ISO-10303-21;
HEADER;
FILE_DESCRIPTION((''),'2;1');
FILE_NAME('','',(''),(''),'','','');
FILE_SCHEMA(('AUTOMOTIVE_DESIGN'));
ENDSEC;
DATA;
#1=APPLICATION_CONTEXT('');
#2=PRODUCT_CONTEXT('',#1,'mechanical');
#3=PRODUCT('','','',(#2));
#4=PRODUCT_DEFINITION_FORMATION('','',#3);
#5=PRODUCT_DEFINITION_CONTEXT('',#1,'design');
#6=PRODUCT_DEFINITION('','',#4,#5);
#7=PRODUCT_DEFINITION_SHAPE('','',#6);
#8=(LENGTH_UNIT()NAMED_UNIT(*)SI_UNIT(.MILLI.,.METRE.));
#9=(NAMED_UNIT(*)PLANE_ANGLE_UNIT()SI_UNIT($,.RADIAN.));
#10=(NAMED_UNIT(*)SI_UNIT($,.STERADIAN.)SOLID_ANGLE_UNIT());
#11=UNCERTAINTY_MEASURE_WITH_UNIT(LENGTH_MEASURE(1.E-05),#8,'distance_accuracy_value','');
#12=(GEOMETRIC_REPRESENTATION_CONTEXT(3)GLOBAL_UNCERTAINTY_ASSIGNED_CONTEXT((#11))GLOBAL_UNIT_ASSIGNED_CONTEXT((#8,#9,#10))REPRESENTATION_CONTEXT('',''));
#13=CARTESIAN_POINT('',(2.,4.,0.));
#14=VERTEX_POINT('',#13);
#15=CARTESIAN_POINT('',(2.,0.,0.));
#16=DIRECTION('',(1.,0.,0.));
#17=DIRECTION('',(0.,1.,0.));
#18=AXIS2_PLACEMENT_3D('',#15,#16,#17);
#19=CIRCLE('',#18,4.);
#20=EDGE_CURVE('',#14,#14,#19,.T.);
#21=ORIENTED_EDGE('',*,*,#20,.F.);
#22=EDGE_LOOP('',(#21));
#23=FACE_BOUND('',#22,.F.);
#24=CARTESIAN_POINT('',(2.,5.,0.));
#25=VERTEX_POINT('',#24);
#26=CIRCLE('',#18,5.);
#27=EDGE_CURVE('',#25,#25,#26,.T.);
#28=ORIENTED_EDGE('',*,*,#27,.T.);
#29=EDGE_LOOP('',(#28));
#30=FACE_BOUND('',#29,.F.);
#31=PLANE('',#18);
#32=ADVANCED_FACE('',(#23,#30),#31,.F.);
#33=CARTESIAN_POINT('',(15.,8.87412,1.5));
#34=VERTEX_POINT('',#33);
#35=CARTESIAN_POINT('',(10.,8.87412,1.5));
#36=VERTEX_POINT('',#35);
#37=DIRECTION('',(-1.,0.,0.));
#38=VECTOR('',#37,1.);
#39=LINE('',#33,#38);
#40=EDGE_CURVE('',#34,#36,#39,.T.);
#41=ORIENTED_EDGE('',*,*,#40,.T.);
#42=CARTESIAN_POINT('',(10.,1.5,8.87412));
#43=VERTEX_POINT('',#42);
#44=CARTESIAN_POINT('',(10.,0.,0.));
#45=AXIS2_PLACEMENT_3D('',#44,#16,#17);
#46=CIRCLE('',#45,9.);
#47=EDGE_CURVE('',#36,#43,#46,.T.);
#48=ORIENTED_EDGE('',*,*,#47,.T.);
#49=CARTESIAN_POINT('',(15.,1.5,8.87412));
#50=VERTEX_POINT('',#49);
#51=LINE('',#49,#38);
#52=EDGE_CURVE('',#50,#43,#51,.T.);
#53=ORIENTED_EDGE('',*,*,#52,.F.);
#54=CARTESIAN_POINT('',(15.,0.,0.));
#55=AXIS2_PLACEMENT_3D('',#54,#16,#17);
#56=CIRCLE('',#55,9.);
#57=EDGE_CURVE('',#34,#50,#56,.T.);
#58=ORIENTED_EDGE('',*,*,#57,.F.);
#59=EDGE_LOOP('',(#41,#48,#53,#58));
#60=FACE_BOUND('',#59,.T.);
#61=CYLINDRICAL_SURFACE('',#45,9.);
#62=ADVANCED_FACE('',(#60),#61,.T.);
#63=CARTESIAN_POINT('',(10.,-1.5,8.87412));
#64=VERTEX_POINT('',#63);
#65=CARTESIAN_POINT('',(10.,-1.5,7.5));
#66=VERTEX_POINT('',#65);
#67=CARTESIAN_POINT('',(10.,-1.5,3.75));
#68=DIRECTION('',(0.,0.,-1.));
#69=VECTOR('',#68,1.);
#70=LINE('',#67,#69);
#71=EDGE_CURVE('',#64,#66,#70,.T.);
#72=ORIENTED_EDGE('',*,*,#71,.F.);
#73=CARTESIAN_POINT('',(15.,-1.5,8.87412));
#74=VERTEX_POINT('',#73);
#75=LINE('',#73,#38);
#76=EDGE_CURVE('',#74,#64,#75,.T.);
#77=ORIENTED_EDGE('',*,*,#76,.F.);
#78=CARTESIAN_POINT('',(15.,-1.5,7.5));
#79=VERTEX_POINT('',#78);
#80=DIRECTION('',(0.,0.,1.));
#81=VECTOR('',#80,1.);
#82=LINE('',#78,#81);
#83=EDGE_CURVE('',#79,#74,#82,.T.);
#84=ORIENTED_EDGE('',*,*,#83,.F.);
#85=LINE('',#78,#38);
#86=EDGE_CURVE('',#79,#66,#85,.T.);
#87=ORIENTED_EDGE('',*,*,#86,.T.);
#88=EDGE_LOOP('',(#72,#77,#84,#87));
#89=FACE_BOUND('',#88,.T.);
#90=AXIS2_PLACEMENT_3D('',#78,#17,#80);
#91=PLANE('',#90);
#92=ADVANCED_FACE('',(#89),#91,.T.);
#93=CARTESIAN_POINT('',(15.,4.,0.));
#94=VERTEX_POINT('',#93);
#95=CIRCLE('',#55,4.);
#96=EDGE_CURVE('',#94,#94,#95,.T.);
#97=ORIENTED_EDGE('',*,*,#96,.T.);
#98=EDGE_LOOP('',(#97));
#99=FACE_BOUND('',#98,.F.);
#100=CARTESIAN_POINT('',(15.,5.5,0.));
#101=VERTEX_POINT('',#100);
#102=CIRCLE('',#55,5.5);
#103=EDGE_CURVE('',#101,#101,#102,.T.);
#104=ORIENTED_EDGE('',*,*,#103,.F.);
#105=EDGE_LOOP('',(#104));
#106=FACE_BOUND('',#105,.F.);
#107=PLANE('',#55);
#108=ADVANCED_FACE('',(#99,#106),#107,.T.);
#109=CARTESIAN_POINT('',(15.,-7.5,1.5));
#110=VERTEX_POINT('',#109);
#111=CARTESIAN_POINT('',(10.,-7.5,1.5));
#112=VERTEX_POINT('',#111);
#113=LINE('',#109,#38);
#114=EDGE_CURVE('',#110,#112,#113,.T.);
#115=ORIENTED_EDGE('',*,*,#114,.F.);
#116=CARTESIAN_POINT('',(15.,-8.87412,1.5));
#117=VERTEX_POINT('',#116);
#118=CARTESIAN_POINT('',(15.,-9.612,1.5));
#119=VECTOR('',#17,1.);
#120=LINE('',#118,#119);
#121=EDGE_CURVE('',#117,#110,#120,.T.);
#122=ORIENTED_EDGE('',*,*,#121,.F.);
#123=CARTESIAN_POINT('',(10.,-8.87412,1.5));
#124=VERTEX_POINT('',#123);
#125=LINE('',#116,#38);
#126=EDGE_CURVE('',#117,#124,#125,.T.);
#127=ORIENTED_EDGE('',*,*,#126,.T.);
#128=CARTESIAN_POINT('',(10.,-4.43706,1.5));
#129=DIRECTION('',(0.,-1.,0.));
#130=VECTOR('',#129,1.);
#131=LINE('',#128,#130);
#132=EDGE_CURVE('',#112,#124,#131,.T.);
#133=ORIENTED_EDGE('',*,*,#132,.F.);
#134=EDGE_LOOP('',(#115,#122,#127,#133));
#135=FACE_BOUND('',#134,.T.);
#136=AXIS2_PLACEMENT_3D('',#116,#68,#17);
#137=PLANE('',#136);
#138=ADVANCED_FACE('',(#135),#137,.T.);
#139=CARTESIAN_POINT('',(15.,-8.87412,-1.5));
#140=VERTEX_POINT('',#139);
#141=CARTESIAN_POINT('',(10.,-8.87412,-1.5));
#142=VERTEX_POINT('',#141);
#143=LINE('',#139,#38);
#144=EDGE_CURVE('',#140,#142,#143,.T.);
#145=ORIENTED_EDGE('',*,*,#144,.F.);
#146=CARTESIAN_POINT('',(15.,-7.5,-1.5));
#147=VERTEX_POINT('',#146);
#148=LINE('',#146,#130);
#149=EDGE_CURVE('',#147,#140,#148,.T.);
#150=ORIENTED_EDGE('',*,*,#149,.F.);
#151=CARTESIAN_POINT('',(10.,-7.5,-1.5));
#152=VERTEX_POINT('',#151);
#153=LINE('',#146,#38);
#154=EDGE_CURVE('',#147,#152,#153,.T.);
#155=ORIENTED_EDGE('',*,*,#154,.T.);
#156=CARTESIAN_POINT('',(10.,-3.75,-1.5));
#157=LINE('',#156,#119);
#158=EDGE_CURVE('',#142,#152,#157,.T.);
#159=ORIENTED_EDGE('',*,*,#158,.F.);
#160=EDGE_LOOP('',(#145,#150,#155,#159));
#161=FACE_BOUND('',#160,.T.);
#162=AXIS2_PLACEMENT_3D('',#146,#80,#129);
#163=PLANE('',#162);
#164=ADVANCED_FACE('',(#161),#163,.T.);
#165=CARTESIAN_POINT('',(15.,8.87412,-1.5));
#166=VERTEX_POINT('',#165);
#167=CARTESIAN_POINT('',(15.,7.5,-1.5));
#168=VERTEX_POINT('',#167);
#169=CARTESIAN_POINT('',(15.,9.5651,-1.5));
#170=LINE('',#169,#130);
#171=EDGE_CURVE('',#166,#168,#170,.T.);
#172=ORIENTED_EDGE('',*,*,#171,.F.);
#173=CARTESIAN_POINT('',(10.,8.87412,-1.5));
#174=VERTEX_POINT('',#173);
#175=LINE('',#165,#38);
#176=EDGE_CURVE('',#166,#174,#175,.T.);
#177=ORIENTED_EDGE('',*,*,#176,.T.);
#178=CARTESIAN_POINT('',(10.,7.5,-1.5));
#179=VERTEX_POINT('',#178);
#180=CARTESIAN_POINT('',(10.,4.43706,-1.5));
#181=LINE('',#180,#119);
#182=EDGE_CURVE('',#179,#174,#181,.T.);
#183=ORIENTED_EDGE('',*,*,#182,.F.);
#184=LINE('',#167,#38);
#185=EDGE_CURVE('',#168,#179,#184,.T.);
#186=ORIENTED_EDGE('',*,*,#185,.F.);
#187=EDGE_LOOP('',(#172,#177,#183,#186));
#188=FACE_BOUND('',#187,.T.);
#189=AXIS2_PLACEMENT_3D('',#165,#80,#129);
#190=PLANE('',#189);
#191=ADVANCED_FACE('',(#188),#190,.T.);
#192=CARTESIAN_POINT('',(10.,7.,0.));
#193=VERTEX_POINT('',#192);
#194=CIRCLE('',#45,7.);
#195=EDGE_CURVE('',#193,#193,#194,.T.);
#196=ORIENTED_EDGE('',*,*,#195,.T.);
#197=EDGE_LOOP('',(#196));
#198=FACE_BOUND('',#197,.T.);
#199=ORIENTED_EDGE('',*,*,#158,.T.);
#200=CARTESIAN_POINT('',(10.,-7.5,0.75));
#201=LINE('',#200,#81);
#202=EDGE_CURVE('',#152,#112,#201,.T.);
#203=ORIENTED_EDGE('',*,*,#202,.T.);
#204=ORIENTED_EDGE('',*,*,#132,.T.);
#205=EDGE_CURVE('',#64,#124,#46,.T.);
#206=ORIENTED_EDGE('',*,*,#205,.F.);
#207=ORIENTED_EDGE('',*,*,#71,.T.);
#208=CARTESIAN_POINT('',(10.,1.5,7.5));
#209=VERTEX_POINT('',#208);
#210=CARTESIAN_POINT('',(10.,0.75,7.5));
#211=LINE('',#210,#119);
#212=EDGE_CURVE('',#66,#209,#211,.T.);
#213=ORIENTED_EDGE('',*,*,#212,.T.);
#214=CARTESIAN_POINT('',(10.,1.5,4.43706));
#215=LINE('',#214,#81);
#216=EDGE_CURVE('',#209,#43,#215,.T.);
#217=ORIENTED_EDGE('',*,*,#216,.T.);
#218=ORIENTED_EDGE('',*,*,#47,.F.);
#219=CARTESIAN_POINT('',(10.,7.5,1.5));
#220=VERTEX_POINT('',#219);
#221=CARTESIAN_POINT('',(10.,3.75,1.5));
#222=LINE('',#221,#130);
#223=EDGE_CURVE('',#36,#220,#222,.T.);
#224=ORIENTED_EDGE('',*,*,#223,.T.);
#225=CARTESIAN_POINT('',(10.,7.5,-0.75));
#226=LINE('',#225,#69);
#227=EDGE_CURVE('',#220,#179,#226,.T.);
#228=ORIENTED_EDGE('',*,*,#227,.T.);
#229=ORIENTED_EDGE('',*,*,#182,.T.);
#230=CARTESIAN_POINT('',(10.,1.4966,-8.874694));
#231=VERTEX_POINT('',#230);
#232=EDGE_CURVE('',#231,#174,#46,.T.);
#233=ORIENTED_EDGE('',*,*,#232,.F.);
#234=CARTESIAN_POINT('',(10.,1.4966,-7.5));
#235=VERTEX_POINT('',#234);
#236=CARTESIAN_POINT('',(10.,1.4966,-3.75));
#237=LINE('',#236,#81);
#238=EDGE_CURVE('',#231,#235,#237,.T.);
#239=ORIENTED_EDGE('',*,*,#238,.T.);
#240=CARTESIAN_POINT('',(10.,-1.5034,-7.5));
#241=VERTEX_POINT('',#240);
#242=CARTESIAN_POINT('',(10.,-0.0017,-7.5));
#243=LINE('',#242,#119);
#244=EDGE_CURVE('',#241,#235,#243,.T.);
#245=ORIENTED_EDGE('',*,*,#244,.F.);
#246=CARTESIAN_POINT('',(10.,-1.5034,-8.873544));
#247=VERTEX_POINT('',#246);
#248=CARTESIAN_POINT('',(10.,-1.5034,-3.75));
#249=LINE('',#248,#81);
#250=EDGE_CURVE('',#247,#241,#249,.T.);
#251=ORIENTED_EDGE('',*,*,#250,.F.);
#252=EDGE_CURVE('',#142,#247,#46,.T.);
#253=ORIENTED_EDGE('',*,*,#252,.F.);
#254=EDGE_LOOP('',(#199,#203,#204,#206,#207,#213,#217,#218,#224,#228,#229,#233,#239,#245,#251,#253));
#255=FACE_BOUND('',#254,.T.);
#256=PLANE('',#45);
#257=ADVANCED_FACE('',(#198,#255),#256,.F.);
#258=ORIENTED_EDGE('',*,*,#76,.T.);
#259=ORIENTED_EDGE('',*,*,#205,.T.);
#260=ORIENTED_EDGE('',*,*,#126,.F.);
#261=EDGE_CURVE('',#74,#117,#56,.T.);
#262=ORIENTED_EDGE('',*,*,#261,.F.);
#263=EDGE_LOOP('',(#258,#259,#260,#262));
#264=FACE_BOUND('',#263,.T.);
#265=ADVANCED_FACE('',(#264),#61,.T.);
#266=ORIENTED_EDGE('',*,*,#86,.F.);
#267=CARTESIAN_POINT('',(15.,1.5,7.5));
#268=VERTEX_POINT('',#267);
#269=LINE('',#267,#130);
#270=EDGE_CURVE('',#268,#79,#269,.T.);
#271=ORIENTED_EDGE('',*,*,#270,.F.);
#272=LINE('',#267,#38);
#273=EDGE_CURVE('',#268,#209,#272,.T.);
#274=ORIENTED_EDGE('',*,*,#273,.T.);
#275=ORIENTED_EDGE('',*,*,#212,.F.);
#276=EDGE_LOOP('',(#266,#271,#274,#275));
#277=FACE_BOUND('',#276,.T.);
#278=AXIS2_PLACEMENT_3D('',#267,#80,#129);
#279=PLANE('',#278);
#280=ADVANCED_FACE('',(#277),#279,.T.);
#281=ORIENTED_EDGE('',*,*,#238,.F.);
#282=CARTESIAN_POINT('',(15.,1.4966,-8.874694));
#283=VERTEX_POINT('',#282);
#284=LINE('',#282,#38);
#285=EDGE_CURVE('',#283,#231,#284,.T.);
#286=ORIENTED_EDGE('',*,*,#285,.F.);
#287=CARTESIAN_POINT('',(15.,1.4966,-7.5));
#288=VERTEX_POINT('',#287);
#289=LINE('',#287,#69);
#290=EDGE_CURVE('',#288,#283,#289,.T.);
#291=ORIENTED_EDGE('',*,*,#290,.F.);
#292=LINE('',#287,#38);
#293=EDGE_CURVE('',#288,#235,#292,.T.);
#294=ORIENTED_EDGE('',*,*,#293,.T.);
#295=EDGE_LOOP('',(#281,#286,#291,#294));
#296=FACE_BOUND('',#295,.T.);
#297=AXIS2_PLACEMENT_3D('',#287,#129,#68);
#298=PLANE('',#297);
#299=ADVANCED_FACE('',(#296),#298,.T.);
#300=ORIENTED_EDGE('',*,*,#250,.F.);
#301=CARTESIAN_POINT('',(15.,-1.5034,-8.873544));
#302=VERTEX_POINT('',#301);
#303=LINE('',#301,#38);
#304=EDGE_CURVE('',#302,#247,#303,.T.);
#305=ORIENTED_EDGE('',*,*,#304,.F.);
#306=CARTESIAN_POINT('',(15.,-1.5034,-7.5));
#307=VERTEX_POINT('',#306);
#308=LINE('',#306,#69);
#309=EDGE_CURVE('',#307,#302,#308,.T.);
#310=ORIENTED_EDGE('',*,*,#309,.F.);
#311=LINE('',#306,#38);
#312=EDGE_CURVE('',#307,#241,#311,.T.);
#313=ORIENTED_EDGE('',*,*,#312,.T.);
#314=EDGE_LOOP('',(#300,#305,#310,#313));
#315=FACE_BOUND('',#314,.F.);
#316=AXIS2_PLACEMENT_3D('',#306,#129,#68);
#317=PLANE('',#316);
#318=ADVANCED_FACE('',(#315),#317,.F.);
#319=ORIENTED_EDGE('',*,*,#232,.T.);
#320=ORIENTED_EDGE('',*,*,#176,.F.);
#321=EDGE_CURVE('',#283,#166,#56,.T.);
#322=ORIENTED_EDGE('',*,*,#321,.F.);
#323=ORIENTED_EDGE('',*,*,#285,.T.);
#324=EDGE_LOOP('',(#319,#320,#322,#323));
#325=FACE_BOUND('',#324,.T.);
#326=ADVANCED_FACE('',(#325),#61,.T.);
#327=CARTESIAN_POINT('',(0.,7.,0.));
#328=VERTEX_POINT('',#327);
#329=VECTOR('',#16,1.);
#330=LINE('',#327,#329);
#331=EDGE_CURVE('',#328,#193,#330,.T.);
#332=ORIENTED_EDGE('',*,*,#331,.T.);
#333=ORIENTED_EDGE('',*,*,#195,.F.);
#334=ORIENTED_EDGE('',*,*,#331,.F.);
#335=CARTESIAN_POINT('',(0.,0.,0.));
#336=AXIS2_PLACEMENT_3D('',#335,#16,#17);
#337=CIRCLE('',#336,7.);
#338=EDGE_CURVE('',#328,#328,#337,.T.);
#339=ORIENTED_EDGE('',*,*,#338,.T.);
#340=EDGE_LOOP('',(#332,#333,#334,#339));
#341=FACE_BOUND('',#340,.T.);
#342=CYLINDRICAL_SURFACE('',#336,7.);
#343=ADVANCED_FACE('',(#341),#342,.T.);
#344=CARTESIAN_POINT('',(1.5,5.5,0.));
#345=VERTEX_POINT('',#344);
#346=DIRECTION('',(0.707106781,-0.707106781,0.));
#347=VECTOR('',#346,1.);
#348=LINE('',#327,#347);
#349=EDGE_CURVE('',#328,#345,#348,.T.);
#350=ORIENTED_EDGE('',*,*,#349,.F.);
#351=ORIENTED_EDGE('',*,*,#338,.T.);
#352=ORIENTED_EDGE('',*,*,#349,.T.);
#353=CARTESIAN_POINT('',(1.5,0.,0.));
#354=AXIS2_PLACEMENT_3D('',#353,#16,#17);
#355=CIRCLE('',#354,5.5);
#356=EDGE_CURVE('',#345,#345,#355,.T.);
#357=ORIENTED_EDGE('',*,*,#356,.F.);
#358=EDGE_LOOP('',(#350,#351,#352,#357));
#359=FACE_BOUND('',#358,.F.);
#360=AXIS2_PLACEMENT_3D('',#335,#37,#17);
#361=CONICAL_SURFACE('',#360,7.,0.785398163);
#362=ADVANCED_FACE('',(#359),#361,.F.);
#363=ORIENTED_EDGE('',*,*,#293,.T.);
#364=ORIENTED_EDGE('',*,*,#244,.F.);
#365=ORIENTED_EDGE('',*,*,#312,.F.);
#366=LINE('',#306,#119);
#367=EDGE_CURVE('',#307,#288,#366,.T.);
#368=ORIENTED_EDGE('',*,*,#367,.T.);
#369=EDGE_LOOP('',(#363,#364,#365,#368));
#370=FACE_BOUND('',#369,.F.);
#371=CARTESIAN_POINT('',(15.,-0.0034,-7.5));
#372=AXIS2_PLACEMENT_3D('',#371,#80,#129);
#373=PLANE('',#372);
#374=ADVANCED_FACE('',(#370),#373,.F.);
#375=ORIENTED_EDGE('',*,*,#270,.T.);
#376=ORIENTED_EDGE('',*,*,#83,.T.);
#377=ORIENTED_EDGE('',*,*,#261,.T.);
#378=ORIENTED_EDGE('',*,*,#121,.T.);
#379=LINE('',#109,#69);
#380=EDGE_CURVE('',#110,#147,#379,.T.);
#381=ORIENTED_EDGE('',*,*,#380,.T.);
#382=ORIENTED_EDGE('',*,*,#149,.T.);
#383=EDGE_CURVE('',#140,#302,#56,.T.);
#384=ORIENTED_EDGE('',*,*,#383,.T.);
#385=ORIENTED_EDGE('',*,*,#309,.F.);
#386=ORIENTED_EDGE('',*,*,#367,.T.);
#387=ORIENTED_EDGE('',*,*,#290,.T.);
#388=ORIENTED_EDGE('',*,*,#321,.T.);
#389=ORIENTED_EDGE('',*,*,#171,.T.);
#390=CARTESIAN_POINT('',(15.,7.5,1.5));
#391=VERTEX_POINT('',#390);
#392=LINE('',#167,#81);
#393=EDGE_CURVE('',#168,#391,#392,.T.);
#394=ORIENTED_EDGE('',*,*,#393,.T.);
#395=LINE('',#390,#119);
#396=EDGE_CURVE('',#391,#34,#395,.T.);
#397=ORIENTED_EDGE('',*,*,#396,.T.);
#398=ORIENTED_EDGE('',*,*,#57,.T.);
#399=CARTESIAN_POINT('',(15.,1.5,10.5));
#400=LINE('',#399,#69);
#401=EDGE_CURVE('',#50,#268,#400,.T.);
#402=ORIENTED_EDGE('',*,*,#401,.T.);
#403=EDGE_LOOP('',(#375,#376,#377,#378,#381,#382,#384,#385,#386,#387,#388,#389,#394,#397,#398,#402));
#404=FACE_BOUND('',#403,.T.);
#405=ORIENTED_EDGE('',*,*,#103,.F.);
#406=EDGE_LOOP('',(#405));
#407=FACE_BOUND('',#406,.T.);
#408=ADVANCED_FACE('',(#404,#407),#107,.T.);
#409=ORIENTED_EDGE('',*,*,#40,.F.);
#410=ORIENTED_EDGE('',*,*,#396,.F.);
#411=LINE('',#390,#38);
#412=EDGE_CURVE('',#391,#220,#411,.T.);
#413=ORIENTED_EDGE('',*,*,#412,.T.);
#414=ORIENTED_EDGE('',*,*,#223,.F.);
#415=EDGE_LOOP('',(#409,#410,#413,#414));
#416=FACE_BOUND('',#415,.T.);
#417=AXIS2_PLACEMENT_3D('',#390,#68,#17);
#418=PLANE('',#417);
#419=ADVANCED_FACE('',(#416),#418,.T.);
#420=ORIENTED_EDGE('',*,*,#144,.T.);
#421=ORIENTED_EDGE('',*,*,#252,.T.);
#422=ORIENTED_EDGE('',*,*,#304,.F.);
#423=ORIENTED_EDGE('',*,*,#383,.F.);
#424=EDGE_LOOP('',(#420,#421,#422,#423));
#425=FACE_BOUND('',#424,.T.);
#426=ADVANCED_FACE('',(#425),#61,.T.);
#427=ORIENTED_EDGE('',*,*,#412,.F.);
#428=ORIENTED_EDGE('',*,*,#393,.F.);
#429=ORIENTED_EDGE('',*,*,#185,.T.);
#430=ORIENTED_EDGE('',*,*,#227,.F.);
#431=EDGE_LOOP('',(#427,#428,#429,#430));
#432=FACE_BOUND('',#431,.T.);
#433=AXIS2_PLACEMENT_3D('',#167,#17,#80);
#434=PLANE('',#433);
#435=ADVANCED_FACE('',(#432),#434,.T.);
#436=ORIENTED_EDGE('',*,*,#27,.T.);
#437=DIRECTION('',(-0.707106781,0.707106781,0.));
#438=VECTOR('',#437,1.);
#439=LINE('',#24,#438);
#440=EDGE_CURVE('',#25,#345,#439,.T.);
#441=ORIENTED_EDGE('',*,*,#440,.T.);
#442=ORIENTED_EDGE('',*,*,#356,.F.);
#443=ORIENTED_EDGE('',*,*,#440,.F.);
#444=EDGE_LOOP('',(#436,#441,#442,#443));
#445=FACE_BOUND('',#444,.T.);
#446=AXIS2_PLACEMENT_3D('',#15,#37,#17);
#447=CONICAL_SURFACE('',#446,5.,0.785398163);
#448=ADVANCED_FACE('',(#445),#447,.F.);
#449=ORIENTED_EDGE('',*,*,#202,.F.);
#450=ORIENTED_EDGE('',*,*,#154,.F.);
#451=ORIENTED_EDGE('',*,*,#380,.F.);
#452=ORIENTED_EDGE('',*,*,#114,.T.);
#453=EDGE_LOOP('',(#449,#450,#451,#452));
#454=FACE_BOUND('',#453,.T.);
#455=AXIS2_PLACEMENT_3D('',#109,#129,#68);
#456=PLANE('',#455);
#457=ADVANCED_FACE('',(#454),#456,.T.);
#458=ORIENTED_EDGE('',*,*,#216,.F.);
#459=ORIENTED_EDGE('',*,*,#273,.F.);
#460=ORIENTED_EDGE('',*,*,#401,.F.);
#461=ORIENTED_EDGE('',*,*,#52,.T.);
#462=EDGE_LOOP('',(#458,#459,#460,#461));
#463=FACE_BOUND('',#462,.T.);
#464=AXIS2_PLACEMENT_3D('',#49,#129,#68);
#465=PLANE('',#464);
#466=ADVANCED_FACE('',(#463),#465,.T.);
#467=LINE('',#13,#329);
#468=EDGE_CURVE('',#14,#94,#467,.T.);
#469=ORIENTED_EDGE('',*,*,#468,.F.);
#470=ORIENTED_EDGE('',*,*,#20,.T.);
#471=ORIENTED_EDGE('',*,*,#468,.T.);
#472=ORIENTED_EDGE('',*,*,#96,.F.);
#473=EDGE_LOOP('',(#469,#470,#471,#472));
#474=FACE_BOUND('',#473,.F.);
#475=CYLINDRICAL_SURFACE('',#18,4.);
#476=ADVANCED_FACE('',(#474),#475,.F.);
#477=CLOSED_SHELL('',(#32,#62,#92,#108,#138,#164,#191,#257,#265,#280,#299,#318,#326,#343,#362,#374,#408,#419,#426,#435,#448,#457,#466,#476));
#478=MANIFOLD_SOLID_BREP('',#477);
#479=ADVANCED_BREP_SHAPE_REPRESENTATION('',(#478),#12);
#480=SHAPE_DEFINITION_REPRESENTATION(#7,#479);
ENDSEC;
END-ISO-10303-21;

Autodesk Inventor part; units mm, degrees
ref_plane "YZ Plane" through (0, 0, 0) normal (1, 0, 0) x (0, 1, 0)
ref_plane "XZ Plane" through (0, 0, 0) normal (0, 1, 0) x (-1, 0, 0)
ref_plane "XY Plane" through (0, 0, 0) normal (0, 0, 1) x (1, 0, 0)
sketch "Sketch1" plane through (0, 0, 0) normal (0, 0, 1) x (1, 0, 0)
  line L0 (0, 0) -> (0, 7) construction
  line L1 (0, 7) -> (10, 7)
  line L2 (0, 7) -> (1.5, 5.5)
  line L3 (10, 7) -> (10, 9)
  line L4 (10, 9) -> (15, 9)
  line L5 (15, 9) -> (15, 5.5)
  line L6 (15, 5.5) -> (1.5, 5.5)
  line L7 (0, 0) -> (19.3515, 0)
  line L8 (2, 4) -> (15, 4)
  line L9 (15, 4) -> (15, 5.5)
  line L10 (1.5, 5.5) -> (1.5, 0) construction
  line L11 (2, 5) -> (2, 4)
  line L12 (2, 5) -> (1.5, 5.5)
  dimension "d0" = 10
  dimension "d1" = 5
  dimension "d2" = 14
  dimension "d3" = 11
  dimension "d4" = 18
  dimension "d8" = 13
  dimension "d9" = 8
  dimension "d10" = 0.5
revolve "Revolution1" add sketch "Sketch1" angle 360 about axis through (0, 0, 0) along (1, 0, 0)
sketch "Sketch2" plane through (15, 0, 0) normal (1, 0, 0) x (0, 0, -1)
  line L0 (-1.5, 9.5651) -> (1.5, 9.5651)
  line L1 (1.5, 9.5651) -> (1.5, 7.5)
  line L2 (1.5, 7.5) -> (-1.5, 7.5)
  line L3 (-1.5, 7.5) -> (-1.5, 9.5651)
  line L4 (8.9736, 1.4966) -> (8.9736, -0.0034)
  line L5 (7.5, -0.0034) -> (7.5, 1.4966)
  line L6 (-1.5, -7.5) -> (1.5, -7.5)
  line L7 (1.5, -7.5) -> (1.5, -9.612)
  line L8 (1.5, -9.612) -> (-1.5, -9.612)
  line L9 (-1.5, -9.612) -> (-1.5, -7.5)
  circle A0 centre (0, 0) radius 7 projected
  circle A1 centre (0, 0) radius 9 projected
  circle A2 centre (0, 0) radius 4 projected
  line L10 (7.2867, -0.0034) -> (9.9612, -0.0034) construction
  line L11 (7.5, 1.4966) -> (9, 1.4966)
  line L12 (7.5, -1.5034) -> (9, -1.5034)
  line L13 (7.5, -0.0034) -> (7.5, -1.5034)
  line L14 (9, 0) -> (9, -1.5034)
  line L15 (-10.5, 1.5) -> (-7.5, 1.5)
  line L16 (-7.5, 1.5) -> (-7.5, -1.5)
  line L17 (-7.5, -1.5) -> (-10.5, -1.5)
  line L18 (-10.5, -1.5) -> (-10.5, 1.5)
  line L19 (-10.5, 1.5) -> (-7.5, -1.5) construction
  line L20 (-7.5, 1.5) -> (-10.5, -1.5) construction
  point P0 (0, 9)
  point P1 (0, -9)
  point P2 (-9, 0)
  point P3 (-1.5, -8.8741)
  point P4 (1.5, -8.8741)
  point P5 (-8.8741, 1.5)
  point P6 (-8.8741, -1.5)
  point P7 (1.5, 8.8741)
  point P8 (-1.5, 8.8741)
  point P9 (8.8736, -1.5034)
  point P10 (8.8747, 1.4966)
  dimension "d11" = 1.5
  dimension "d12" = 1.5
  dimension "d13" = 1.5
  dimension "d16" = 1.5
  dimension "d18" = 1.5
  dimension "d20" = 3
  dimension "d21" = 3
  dimension "d22" = 3
  dimension "d23" = 1.5
  dimension "d24" = 3
  dimension "d25" = 1.5
extrude "Extrusion1" cut sketch "Sketch2" against normal blind 10 contours A1 L1 L2 L3 | L15 L16 L17 A1 | A1 L12 L13 L5 L11 | L9 L6 L7 A1
thread "Thread1" size "M14x2" class "6g" standard "ANSI Metric M Profile" length 24.5
properties material "Aluminum 6061-AHC"
